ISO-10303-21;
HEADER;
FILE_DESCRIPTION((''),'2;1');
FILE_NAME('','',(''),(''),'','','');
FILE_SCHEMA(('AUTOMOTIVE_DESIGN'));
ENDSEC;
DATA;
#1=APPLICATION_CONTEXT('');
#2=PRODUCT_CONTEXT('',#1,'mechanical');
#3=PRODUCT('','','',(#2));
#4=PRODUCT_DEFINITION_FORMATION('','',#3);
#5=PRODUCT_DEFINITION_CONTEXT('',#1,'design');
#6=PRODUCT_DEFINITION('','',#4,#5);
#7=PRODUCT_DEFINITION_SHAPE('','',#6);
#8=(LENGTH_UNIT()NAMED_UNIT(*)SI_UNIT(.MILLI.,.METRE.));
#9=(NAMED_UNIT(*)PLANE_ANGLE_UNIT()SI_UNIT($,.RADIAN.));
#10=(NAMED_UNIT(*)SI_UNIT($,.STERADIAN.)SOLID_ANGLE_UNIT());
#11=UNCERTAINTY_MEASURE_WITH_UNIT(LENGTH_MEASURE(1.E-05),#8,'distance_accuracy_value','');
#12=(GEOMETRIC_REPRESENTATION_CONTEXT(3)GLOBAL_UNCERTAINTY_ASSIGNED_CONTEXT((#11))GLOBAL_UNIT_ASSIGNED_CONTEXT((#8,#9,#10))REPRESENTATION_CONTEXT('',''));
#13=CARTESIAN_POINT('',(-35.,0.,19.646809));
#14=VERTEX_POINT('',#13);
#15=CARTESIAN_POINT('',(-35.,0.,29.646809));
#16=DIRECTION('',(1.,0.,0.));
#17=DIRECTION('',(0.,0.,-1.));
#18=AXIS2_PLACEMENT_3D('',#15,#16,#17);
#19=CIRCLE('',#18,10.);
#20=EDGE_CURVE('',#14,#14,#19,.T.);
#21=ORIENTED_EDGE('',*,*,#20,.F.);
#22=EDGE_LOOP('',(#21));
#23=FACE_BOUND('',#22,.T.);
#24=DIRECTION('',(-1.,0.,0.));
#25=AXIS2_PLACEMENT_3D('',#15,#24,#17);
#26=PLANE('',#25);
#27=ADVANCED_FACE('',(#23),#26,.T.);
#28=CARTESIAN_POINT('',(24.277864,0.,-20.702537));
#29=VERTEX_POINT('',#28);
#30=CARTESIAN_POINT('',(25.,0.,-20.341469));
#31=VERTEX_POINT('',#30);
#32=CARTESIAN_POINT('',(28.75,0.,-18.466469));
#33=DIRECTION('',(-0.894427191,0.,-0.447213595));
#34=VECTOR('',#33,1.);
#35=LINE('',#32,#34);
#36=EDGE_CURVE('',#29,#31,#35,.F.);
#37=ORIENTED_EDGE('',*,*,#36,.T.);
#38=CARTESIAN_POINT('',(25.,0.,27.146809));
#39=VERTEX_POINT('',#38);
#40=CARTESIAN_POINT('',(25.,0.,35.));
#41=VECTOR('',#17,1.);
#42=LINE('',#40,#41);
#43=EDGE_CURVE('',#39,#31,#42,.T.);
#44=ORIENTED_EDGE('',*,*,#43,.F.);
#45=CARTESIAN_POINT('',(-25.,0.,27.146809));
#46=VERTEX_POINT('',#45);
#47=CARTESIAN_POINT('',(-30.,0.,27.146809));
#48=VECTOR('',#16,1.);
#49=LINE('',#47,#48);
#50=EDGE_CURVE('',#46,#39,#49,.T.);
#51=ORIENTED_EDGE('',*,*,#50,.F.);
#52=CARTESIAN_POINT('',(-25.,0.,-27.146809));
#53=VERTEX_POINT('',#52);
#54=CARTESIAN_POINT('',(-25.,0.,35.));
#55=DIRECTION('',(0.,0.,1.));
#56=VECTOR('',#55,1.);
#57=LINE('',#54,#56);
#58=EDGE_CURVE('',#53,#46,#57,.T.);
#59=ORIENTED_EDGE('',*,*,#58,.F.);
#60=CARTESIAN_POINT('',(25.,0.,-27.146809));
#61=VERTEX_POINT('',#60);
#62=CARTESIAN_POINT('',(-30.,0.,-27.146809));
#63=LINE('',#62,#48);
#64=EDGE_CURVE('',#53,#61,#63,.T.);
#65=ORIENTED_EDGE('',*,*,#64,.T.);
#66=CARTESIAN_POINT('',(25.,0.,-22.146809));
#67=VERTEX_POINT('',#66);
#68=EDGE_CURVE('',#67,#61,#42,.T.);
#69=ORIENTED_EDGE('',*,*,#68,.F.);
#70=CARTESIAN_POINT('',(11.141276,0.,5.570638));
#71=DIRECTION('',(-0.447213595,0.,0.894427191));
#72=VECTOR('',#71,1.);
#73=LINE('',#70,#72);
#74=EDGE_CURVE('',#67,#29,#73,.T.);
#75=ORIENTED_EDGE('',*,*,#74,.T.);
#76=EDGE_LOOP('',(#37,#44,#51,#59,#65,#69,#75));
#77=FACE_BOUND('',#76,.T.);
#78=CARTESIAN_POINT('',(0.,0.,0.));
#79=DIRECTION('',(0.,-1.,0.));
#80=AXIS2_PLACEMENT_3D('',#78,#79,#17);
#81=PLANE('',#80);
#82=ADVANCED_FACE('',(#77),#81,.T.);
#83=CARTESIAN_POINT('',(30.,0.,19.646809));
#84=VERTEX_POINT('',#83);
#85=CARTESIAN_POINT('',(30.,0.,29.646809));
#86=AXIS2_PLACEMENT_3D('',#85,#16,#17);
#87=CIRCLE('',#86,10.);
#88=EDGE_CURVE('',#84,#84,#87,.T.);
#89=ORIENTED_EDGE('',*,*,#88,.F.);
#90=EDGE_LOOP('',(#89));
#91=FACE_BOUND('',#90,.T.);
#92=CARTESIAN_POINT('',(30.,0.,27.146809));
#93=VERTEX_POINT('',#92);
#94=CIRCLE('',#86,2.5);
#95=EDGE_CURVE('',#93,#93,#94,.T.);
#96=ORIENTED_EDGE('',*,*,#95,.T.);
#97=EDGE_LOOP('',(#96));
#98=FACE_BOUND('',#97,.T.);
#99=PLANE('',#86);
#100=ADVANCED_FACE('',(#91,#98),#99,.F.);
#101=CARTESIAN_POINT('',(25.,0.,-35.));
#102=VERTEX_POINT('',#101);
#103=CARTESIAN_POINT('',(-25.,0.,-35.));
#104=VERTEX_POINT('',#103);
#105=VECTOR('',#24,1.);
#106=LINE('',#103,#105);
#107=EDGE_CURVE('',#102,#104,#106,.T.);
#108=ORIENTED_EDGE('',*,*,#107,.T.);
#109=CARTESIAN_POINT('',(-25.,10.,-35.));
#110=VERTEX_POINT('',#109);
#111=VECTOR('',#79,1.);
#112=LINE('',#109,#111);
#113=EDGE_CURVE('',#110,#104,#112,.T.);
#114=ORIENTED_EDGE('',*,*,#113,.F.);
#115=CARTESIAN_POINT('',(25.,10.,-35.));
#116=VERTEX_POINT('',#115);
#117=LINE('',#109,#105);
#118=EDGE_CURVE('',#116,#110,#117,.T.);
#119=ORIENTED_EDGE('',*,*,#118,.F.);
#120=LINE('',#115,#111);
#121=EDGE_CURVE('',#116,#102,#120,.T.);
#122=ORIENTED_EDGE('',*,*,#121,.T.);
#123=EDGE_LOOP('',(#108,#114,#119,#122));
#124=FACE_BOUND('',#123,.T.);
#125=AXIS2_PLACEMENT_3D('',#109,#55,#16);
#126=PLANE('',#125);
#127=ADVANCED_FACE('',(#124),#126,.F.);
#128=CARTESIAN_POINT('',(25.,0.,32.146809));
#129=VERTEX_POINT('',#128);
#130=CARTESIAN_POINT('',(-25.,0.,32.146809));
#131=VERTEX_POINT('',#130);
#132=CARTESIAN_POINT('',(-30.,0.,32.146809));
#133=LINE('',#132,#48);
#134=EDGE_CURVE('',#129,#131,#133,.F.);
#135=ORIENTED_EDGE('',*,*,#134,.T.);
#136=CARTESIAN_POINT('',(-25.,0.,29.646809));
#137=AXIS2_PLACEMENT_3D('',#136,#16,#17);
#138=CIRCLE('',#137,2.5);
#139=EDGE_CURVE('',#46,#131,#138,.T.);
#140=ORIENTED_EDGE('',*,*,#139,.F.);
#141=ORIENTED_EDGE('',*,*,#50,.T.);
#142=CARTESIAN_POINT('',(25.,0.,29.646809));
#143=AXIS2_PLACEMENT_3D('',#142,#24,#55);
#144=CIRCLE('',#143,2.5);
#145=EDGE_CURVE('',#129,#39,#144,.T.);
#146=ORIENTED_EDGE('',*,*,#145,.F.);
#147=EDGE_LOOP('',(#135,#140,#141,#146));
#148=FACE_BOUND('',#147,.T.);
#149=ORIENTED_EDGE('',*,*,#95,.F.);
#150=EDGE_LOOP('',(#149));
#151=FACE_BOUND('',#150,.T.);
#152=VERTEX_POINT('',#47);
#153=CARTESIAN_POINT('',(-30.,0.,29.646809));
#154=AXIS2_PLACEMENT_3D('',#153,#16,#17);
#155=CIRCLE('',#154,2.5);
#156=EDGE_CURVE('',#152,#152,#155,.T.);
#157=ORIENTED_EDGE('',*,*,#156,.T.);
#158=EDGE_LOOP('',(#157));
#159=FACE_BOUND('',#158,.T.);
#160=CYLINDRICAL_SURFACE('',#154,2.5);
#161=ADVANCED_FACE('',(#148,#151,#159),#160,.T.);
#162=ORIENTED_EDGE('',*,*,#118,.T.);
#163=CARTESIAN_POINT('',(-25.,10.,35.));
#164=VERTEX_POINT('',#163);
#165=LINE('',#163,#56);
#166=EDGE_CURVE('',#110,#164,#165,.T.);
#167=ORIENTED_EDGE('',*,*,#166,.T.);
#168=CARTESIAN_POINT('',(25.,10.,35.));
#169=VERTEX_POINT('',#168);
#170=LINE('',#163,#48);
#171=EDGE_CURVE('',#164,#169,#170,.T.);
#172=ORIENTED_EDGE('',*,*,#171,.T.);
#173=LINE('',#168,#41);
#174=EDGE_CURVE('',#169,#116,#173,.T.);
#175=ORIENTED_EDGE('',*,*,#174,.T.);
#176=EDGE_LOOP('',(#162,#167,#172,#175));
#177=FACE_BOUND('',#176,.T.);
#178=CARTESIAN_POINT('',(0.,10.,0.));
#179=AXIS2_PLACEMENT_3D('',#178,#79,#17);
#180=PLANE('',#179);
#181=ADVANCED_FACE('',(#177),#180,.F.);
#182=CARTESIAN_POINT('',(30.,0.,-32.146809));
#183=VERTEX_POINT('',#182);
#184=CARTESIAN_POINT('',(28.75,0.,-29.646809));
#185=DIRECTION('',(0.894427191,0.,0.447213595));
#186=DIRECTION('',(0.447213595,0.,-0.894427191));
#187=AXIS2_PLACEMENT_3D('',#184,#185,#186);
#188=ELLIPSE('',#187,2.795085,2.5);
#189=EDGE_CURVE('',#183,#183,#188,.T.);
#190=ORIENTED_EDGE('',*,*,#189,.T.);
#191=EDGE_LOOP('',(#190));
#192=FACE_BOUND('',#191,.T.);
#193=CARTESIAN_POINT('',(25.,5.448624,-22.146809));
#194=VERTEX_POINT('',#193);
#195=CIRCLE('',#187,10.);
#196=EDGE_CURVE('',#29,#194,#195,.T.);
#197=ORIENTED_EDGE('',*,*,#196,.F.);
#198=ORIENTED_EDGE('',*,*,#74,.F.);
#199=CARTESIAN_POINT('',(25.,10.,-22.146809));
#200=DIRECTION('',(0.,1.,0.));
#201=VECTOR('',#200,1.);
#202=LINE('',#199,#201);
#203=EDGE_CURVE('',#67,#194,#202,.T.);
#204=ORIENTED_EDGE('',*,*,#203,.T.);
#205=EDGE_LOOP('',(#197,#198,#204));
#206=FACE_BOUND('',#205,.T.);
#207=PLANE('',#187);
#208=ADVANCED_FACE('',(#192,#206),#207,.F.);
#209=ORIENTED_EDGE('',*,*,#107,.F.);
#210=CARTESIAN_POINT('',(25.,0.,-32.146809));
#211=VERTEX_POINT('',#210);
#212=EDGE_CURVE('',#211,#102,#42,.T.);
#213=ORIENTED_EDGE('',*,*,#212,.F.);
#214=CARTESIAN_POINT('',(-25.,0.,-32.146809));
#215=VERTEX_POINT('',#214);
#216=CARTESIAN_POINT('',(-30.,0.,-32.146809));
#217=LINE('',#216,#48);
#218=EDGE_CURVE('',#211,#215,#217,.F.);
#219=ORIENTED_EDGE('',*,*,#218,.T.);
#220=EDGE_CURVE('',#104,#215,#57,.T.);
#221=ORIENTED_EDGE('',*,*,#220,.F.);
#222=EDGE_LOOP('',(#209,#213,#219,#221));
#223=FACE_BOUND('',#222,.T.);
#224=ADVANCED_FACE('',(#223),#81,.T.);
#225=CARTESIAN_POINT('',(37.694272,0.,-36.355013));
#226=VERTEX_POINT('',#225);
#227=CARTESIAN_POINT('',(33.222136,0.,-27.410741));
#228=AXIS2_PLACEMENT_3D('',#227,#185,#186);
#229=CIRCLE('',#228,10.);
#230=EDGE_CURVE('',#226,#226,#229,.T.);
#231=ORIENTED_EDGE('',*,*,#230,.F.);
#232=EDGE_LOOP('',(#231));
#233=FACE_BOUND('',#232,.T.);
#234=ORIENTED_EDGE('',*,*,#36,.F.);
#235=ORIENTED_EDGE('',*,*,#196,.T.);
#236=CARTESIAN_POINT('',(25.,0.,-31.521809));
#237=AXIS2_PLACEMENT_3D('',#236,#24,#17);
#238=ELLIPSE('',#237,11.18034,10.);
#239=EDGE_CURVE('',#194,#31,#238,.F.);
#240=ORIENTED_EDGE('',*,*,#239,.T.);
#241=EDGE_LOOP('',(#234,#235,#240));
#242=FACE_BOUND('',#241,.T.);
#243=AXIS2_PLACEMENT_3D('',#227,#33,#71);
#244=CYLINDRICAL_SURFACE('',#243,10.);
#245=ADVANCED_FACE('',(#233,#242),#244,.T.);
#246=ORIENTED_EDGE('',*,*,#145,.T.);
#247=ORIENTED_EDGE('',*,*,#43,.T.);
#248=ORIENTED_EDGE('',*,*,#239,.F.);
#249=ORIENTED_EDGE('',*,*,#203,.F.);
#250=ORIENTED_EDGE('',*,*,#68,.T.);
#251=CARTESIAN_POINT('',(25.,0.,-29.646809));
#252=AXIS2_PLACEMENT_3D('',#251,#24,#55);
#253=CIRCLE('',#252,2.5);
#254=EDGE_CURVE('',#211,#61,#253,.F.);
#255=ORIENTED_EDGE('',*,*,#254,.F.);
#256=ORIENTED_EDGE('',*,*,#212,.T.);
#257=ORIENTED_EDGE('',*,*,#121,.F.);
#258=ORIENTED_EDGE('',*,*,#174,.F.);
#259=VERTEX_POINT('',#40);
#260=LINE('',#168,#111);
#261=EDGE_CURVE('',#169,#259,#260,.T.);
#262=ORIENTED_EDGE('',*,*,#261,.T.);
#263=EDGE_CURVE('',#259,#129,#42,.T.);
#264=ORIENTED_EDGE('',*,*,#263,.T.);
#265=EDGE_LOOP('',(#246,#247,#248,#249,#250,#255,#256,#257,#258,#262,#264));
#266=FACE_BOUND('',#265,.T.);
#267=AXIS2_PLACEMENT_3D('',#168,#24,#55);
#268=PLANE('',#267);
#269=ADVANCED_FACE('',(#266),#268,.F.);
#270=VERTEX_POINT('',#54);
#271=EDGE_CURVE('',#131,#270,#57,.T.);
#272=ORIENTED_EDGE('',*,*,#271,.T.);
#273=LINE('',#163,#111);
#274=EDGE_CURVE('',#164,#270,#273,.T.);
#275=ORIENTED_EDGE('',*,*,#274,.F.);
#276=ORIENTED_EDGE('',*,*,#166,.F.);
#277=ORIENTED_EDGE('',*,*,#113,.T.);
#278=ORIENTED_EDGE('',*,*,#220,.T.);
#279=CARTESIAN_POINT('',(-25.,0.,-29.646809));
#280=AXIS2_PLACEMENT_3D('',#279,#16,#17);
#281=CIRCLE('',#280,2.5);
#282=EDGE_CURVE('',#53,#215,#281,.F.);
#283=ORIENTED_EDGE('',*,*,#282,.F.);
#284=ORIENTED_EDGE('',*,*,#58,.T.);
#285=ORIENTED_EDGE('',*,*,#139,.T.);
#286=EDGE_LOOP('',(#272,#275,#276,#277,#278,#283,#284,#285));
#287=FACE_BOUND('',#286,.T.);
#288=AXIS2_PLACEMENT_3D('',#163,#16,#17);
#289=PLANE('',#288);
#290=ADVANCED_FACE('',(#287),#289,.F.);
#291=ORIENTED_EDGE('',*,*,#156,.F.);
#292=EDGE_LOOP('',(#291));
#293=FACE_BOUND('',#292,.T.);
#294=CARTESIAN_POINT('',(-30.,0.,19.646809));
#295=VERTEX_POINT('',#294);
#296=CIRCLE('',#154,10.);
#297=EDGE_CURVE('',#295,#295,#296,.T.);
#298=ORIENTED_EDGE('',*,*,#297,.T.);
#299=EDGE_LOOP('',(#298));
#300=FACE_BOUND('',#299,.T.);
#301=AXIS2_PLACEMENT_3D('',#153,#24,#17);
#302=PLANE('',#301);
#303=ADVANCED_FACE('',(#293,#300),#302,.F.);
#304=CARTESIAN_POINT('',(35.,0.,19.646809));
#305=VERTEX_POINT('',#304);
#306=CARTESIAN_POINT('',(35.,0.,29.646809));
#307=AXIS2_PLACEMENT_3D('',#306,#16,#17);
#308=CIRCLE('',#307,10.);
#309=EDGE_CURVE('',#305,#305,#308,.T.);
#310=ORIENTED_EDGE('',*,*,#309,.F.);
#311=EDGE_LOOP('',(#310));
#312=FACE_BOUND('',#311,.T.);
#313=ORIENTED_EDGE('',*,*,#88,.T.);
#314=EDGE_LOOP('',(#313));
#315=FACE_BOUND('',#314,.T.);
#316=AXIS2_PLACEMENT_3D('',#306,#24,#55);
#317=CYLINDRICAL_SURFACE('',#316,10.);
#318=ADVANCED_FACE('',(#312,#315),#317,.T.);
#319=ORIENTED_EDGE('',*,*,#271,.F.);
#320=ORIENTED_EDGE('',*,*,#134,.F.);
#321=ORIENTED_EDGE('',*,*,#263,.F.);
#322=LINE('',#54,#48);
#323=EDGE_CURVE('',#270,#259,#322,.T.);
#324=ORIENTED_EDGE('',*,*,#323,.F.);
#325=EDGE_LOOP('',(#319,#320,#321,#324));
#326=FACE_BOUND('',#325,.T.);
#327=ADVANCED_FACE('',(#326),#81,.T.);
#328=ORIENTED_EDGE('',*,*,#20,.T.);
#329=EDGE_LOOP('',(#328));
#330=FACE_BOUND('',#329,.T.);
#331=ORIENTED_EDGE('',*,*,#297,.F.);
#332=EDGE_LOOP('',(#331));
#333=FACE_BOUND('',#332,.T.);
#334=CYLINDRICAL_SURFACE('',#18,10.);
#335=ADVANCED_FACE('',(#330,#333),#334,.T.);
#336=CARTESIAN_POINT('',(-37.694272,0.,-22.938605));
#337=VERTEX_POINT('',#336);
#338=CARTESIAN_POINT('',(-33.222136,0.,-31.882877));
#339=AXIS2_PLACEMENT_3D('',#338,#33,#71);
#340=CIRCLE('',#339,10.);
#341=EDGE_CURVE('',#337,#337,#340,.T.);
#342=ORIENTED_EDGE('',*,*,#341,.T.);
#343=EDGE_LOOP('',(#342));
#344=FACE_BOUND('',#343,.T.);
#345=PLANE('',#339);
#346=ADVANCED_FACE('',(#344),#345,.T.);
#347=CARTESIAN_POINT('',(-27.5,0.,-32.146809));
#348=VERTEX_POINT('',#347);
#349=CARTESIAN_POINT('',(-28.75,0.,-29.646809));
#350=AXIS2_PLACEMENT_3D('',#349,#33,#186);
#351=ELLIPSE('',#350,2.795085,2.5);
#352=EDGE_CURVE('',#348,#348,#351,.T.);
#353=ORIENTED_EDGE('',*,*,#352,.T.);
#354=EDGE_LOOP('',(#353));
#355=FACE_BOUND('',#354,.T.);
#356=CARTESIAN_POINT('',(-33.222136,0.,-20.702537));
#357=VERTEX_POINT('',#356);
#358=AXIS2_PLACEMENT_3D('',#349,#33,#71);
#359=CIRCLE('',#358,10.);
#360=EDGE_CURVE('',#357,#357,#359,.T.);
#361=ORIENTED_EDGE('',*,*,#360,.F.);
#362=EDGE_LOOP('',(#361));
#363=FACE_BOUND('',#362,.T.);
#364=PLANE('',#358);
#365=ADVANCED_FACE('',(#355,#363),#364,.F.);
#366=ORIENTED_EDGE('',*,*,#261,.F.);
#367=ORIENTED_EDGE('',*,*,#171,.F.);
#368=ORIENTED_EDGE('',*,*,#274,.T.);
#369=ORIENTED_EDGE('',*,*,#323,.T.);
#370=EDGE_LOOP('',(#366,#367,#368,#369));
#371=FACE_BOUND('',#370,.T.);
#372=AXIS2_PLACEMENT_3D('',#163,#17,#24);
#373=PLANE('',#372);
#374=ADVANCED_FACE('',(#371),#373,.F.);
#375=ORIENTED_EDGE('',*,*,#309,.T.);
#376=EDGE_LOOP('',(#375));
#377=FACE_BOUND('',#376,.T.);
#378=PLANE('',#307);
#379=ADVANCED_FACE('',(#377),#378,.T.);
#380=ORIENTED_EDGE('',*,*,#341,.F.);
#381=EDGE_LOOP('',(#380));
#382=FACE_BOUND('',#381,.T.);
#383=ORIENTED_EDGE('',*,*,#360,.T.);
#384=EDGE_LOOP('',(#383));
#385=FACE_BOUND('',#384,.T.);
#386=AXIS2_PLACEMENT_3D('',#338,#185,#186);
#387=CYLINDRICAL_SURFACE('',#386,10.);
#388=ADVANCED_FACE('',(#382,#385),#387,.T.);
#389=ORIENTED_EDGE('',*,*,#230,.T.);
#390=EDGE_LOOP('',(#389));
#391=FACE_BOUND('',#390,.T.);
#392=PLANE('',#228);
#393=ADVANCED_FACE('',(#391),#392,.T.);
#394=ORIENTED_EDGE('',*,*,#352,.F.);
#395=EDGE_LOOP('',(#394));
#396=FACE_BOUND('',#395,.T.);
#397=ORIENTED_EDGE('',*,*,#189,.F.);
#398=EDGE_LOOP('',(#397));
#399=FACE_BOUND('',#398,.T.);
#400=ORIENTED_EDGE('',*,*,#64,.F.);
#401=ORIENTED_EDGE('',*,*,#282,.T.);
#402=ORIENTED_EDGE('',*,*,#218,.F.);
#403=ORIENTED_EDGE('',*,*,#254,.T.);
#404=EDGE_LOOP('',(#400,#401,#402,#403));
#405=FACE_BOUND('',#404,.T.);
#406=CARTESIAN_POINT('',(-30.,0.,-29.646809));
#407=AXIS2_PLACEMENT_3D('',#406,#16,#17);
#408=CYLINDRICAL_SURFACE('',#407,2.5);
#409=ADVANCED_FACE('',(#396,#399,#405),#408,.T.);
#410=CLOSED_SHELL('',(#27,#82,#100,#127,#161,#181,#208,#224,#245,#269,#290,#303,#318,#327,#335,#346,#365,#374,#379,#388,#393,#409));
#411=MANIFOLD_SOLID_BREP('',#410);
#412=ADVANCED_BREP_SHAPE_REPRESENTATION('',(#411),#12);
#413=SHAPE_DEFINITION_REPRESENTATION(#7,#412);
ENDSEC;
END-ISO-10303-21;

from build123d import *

# Parameters (mm, degrees)
CROQUIS2_W                 = 50
CROQUIS2_H                 = 70
SALIENTE_EXTRUIR1_DEPTH    = 10
CROQUIS4_R                 = 2.5
SALIENTE_EXTRUIR2_DEPTH    = 30
CROQUIS5_R                 = 10
SALIENTE_EXTRUIR3_DEPTH    = 5
CORTAR_EXTRUIR1_DEPTH      = 5
CORTAR_EXTRUIR1_DEPTH_BACK = 5
CROQUIS8_R                 = 10
SALIENTE_EXTRUIR4_DEPTH    = 5
CROQUIS9_R                 = 10
SALIENTE_EXTRUIR5_DEPTH    = 5


with BuildPart() as part:
    # Croquis2 → Saliente-Extruir1 (new body)
    with BuildSketch(Plane(origin=(0, 0, 0), x_dir=(1, 0, 0), z_dir=(0, 1, 0))):
        Rectangle(CROQUIS2_W, CROQUIS2_H)
    extrude(amount=SALIENTE_EXTRUIR1_DEPTH)

    # Croquis4 → Saliente-Extruir2 (add, symmetric)
    with BuildSketch(Plane(origin=(0, 0, 0), x_dir=(0, 0, -1), z_dir=(1, 0, 0))):
        with Locations((-29.646809276, 0)):
            Circle(CROQUIS4_R)
    saliente_extruir2 = extrude(amount=SALIENTE_EXTRUIR2_DEPTH, both=True)

    # Croquis5 → Saliente-Extruir3 (add)
    with BuildSketch(Plane(origin=(30, 0, 0), x_dir=(0, 0, -1), z_dir=(1, 0, 0))):
        with Locations((-29.646809276, 0)):
            Circle(CROQUIS5_R)
    saliente_extruir3 = extrude(amount=SALIENTE_EXTRUIR3_DEPTH)

    # Simetría1: Saliente-Extruir3 across plane
    add(saliente_extruir3.mirror(Plane(origin=(0, 0, 0), x_dir=(0, 0, 1), z_dir=(1, 0, 0))))

    # Simetría2: Saliente-Extruir2 across plane
    add(saliente_extruir2.mirror(Plane.XY))

    # Croquis7 → Cortar-Extruir1 (cut, two sides: drawn at the far end of the back side and taken through both)
    with BuildSketch(Plane(origin=(0, 0, 0), x_dir=(1, 0, 0), z_dir=(0, 1, 0)).offset(-CORTAR_EXTRUIR1_DEPTH_BACK)):
        Polygon((-30, 27.146809276), (-27.5, 32.146809276), (-30, 32.146809276), align=None)
        Polygon((30, 32.146809276), (27.5, 27.146809276), (30, 27.146809276), align=None)
    extrude(amount=CORTAR_EXTRUIR1_DEPTH + CORTAR_EXTRUIR1_DEPTH_BACK, mode=Mode.SUBTRACT)

    # Croquis8 → Saliente-Extruir4 (add)
    with BuildSketch(Plane(origin=(11.14127629, 0, 5.570638145), x_dir=(0.4472135954999586, 0, -0.8944271909999156), z_dir=(0.8944271909999156, 0, 0.4472135954999586))):
        with Locations(Location((39.374303213, 0, 0), (0, 0, 180))):
            Circle(CROQUIS8_R)
    extrude(amount=SALIENTE_EXTRUIR4_DEPTH)

    # Croquis9 → Saliente-Extruir5 (add)
    with BuildSketch(Plane(origin=(-34.85872371, 0, -17.429361855), x_dir=(-0.44721359549995665, 0, 0.8944271909999165), z_dir=(-0.8944271909999165, 0, -0.44721359549995665))):
        with Locations((-13.659521472, 0)):
            Circle(CROQUIS9_R)
    extrude(amount=SALIENTE_EXTRUIR5_DEPTH)


solid = part.part
